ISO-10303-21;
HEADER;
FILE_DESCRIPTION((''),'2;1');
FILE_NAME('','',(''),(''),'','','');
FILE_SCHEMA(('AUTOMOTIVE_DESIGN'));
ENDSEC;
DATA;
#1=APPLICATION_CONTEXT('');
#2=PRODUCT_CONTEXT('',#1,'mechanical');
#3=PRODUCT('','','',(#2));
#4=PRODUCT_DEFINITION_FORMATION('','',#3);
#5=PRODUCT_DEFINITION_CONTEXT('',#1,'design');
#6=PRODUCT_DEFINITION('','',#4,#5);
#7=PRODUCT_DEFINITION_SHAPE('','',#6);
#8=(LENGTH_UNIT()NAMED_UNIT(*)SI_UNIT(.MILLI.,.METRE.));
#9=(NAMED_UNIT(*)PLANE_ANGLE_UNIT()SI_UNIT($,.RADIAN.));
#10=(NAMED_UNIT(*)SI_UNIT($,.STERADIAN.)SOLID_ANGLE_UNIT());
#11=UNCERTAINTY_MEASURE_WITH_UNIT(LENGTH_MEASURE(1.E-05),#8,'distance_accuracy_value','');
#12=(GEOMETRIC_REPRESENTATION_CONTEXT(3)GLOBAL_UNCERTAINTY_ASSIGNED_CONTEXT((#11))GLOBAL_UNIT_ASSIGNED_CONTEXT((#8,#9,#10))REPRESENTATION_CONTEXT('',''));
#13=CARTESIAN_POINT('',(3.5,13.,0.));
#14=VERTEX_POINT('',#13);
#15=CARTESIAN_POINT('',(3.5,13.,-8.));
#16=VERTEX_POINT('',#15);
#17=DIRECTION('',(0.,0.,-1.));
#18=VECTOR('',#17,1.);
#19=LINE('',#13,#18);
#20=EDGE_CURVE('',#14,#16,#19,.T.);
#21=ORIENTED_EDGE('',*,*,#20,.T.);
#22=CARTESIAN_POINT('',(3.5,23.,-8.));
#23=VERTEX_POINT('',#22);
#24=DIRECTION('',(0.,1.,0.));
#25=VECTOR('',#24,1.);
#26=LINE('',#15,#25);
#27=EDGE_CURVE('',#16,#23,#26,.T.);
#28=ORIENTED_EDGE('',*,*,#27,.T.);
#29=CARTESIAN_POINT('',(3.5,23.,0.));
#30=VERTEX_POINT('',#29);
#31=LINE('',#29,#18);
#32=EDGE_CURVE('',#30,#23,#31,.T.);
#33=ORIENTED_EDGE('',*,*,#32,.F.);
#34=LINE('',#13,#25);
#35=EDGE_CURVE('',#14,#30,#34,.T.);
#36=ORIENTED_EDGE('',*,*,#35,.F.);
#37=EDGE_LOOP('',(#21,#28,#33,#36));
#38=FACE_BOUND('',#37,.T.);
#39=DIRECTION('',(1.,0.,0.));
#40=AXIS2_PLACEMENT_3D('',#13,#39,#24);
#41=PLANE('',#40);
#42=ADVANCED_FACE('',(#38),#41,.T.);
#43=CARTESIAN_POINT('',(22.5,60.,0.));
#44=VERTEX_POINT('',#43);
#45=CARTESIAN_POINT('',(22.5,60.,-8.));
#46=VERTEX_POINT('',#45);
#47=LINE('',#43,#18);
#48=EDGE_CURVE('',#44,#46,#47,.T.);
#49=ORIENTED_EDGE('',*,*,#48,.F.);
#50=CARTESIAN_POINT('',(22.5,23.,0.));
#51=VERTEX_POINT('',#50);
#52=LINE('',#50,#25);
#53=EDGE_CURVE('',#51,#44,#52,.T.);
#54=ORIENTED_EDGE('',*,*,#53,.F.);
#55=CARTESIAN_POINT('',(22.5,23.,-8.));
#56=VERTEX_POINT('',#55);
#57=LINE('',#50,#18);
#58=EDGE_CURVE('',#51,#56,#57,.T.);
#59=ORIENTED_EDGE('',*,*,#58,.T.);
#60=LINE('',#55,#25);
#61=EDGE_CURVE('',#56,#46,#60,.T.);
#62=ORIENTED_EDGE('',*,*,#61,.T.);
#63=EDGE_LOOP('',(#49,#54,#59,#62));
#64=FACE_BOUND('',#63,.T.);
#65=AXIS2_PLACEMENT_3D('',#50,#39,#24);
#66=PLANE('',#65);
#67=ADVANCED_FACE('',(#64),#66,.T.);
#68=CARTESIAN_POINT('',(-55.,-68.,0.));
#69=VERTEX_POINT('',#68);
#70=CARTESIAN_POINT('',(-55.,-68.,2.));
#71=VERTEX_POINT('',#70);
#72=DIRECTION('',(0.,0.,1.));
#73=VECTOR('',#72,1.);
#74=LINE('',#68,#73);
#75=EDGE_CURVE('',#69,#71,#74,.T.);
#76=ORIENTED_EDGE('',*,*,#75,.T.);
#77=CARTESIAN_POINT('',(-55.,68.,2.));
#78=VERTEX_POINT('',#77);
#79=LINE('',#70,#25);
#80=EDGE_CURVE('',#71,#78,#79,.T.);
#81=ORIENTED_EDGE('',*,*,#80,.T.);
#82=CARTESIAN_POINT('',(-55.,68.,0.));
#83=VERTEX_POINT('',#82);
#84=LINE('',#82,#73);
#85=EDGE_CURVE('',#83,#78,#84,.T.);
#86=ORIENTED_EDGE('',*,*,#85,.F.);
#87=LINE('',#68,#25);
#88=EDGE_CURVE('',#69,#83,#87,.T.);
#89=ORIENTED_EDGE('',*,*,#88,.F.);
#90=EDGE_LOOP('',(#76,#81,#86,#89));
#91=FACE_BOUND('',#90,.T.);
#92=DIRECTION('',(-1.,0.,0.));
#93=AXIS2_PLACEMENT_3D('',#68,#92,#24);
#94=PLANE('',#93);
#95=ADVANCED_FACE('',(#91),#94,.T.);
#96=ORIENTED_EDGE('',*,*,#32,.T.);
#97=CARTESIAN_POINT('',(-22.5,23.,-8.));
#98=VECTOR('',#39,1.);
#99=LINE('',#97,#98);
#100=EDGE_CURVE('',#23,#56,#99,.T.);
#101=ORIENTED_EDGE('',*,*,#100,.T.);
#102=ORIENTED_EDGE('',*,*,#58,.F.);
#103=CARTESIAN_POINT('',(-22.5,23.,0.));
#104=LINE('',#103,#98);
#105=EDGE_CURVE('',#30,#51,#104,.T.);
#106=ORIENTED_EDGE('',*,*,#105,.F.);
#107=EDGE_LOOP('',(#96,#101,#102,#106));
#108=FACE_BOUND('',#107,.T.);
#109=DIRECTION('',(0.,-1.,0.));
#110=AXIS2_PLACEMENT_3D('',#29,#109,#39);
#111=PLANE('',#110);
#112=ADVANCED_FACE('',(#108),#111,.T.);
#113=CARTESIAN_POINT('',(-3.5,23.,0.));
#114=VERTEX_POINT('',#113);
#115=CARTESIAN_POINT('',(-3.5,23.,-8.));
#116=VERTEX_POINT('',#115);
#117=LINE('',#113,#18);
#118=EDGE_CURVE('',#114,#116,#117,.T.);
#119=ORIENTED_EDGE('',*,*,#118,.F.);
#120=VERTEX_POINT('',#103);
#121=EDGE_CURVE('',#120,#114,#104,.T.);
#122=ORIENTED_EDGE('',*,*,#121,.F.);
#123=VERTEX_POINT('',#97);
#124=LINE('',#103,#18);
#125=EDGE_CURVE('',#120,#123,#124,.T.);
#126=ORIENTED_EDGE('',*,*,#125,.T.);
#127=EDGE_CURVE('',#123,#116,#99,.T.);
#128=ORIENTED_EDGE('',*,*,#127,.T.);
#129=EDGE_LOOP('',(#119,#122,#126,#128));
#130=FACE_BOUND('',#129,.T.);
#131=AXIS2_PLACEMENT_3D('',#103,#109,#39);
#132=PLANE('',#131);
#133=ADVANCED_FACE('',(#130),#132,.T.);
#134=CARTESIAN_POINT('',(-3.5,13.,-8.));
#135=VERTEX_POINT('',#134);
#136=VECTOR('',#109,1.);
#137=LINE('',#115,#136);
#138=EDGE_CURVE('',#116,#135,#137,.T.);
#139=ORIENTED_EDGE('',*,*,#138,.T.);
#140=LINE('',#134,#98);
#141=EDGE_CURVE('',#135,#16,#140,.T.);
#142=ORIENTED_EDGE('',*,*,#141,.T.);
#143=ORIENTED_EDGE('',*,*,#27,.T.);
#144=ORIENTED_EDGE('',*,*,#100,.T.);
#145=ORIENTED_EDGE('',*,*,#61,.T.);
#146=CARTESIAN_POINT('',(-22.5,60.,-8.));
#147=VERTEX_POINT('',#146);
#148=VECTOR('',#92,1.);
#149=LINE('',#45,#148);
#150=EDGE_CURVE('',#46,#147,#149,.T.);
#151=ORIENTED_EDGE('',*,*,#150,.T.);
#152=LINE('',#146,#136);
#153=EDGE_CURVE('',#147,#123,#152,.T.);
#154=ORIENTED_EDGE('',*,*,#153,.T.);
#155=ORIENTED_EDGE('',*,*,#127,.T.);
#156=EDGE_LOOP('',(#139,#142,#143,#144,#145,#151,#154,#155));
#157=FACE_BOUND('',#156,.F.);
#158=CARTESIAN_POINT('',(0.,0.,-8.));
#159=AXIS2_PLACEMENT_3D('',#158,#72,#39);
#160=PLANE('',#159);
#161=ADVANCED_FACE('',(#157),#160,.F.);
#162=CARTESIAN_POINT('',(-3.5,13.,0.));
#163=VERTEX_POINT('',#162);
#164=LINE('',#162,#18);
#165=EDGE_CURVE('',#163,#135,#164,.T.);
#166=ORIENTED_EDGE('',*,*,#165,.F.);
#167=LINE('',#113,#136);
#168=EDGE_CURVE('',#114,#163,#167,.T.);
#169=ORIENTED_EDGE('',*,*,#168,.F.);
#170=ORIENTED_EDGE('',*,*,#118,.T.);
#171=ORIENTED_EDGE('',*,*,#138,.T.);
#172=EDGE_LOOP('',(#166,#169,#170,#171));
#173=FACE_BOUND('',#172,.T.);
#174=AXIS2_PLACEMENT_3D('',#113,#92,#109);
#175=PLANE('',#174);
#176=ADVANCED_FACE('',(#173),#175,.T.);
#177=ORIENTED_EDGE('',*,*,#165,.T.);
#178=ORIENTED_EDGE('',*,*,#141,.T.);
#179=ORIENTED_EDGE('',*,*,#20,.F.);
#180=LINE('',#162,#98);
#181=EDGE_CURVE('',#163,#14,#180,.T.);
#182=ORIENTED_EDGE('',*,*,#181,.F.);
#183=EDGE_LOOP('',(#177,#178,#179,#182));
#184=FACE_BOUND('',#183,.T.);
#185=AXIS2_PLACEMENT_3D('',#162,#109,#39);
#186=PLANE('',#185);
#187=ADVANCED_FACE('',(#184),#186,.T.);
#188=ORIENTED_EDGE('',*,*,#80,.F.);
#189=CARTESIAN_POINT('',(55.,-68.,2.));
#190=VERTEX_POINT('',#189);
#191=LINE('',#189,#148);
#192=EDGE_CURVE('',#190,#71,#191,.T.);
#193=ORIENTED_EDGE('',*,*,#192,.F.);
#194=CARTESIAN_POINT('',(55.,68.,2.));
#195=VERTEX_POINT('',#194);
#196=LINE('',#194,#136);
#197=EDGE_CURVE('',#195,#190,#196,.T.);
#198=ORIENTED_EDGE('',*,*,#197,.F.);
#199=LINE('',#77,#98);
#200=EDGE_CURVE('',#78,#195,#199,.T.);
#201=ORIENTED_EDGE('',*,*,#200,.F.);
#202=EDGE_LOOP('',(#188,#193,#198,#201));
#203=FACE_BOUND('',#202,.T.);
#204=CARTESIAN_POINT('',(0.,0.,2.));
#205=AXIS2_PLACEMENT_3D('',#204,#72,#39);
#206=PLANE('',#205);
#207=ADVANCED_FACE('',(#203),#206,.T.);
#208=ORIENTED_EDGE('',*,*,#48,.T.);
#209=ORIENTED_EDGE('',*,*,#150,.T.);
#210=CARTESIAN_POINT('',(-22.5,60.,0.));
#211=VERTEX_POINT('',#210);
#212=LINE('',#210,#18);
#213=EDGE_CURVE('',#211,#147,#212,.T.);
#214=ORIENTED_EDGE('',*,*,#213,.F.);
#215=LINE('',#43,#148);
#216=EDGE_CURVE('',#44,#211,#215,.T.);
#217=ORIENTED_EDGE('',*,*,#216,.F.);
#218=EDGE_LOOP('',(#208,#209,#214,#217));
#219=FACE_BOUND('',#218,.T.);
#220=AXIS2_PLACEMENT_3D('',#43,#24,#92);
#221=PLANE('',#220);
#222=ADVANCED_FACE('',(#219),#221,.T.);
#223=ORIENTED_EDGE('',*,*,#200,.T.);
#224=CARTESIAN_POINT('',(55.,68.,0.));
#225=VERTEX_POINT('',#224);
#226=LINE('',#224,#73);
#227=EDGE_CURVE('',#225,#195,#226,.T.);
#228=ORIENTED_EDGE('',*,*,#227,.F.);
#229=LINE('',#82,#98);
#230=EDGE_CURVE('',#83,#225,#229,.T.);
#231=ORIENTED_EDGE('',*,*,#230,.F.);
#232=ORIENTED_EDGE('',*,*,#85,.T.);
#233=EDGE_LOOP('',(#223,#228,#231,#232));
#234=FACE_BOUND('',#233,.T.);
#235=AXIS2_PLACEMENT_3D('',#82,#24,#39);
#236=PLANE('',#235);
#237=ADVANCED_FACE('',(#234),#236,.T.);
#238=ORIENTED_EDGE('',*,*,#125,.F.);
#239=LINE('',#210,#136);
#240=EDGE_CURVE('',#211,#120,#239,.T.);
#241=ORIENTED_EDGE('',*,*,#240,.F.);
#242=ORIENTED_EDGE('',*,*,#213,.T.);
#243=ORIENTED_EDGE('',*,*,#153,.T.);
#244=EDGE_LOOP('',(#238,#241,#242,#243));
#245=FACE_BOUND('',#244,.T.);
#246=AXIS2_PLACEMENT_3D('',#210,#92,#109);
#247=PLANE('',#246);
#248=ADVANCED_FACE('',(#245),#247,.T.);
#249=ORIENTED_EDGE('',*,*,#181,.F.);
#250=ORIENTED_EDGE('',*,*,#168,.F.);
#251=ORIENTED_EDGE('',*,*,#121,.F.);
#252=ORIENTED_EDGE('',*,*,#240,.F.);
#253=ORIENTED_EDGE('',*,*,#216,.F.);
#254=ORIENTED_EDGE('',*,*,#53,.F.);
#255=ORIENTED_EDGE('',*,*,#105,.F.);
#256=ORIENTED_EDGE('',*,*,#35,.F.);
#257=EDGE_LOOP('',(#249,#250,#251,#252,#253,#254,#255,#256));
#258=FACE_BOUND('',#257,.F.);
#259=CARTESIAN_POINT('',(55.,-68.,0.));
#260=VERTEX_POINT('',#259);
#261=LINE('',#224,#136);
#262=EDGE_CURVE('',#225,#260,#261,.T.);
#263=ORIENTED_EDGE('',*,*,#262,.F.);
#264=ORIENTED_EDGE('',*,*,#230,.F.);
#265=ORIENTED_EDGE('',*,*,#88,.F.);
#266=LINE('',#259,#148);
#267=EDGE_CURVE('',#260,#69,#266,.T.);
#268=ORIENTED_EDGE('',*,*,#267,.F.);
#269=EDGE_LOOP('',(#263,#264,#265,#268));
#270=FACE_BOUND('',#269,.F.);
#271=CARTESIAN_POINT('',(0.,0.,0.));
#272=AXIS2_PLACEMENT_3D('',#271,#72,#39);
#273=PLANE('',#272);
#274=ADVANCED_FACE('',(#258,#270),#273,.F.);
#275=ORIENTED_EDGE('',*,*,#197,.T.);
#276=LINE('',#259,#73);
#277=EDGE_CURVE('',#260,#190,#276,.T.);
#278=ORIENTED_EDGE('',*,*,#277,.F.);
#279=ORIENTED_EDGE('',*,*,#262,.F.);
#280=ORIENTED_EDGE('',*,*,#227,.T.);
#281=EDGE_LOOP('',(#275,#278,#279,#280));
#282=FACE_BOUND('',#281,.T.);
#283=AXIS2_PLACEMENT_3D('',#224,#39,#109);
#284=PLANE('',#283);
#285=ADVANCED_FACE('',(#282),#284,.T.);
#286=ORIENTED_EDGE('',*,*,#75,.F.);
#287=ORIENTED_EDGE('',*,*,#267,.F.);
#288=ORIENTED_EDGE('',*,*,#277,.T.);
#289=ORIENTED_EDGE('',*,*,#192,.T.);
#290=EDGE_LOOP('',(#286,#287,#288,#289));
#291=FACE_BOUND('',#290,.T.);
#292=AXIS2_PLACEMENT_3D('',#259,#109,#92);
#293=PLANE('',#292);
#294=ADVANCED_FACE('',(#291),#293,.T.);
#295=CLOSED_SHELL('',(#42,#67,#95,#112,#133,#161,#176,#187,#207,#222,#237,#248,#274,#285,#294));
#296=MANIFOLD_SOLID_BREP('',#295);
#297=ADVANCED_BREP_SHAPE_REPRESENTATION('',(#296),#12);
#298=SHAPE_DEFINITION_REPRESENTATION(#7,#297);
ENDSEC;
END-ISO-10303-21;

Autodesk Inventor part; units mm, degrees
ref_plane "YZ Plane" through (0, 0, 0) normal (1, 0, 0) x (0, 1, 0)
ref_plane "XZ Plane" through (0, 0, 0) normal (0, 1, 0) x (-1, 0, 0)
ref_plane "XY Plane" through (0, 0, 0) normal (0, 0, 1) x (1, 0, 0)
sketch "Skizze1" plane through (0, 0, 0) normal (0, 0, 1) x (1, 0, 0)
  line L0 (55, -68) -> (-55, -68)
  line L1 (-55, -68) -> (-55, 68)
  line L2 (-55, 68) -> (55, 68)
  line L3 (55, 68) -> (55, -68)
  line L4 (55, -68) -> (-55, 68) construction
  line L5 (-55, -68) -> (55, 68) construction
  point P0 (0, 0)
  dimension "d0" = 110
  dimension "d1" = 136
extrude "Extrusion1" add sketch "Skizze1" along normal blind 2
sketch "Skizze2" plane through (0, 0, 0) normal (0, 0, 1) x (1, 0, 0)
  line L0 (-22.5, 23) -> (22.5, 23)
  line L1 (22.5, 23) -> (22.5, 60)
  line L2 (22.5, 60) -> (-22.5, 60)
  line L3 (-22.5, 60) -> (-22.5, 23)
  line L4 (-22.5, 23) -> (22.5, 60) construction
  line L5 (22.5, 23) -> (-22.5, 60) construction
  line L6 (55, 68) -> (-55, 68) projected
  line L7 (-3.5, 13) -> (3.5, 13)
  line L8 (3.5, 13) -> (3.5, 23)
  line L9 (3.5, 23) -> (-3.5, 23)
  line L10 (-3.5, 23) -> (-3.5, 13)
  line L11 (-3.5, 13) -> (3.5, 23) construction
  line L12 (3.5, 13) -> (-3.5, 23) construction
  point P0 (0, 0)
  point P1 (0, 41.5)
  point P2 (0, 18)
  dimension "d4" = 45
  dimension "d5" = 37
  dimension "d6" = 8
  dimension "d7" = 7
  dimension "d8" = 10
extrude "Extrusion2" add sketch "Skizze2" against normal blind 8
equation "\"d0\" = SolarPanelWidth"
equation "\"d1\" = SolarPanelHeight"
equation "\"d2\" = SolarPanelThickness"
equation "\"d4\" = SolarPanelConnectorWidth"
equation "\"d5\" = SolarPanelConnectorHeight"
equation "\"d9\" = SolarPanelConnectorDepth"
equation "\"SolarPanelWidth\" = 110"
equation "\"SolarPanelHeight\" = 136"
equation "\"SolarPanelThickness\" = 2"
equation "\"SolarPanelConnectorWidth\" = 45"
equation "\"SolarPanelConnectorHeight\" = 37"
equation "\"SolarPanelConnectorDepth\" = 8"
properties part number "SolarPanel"
